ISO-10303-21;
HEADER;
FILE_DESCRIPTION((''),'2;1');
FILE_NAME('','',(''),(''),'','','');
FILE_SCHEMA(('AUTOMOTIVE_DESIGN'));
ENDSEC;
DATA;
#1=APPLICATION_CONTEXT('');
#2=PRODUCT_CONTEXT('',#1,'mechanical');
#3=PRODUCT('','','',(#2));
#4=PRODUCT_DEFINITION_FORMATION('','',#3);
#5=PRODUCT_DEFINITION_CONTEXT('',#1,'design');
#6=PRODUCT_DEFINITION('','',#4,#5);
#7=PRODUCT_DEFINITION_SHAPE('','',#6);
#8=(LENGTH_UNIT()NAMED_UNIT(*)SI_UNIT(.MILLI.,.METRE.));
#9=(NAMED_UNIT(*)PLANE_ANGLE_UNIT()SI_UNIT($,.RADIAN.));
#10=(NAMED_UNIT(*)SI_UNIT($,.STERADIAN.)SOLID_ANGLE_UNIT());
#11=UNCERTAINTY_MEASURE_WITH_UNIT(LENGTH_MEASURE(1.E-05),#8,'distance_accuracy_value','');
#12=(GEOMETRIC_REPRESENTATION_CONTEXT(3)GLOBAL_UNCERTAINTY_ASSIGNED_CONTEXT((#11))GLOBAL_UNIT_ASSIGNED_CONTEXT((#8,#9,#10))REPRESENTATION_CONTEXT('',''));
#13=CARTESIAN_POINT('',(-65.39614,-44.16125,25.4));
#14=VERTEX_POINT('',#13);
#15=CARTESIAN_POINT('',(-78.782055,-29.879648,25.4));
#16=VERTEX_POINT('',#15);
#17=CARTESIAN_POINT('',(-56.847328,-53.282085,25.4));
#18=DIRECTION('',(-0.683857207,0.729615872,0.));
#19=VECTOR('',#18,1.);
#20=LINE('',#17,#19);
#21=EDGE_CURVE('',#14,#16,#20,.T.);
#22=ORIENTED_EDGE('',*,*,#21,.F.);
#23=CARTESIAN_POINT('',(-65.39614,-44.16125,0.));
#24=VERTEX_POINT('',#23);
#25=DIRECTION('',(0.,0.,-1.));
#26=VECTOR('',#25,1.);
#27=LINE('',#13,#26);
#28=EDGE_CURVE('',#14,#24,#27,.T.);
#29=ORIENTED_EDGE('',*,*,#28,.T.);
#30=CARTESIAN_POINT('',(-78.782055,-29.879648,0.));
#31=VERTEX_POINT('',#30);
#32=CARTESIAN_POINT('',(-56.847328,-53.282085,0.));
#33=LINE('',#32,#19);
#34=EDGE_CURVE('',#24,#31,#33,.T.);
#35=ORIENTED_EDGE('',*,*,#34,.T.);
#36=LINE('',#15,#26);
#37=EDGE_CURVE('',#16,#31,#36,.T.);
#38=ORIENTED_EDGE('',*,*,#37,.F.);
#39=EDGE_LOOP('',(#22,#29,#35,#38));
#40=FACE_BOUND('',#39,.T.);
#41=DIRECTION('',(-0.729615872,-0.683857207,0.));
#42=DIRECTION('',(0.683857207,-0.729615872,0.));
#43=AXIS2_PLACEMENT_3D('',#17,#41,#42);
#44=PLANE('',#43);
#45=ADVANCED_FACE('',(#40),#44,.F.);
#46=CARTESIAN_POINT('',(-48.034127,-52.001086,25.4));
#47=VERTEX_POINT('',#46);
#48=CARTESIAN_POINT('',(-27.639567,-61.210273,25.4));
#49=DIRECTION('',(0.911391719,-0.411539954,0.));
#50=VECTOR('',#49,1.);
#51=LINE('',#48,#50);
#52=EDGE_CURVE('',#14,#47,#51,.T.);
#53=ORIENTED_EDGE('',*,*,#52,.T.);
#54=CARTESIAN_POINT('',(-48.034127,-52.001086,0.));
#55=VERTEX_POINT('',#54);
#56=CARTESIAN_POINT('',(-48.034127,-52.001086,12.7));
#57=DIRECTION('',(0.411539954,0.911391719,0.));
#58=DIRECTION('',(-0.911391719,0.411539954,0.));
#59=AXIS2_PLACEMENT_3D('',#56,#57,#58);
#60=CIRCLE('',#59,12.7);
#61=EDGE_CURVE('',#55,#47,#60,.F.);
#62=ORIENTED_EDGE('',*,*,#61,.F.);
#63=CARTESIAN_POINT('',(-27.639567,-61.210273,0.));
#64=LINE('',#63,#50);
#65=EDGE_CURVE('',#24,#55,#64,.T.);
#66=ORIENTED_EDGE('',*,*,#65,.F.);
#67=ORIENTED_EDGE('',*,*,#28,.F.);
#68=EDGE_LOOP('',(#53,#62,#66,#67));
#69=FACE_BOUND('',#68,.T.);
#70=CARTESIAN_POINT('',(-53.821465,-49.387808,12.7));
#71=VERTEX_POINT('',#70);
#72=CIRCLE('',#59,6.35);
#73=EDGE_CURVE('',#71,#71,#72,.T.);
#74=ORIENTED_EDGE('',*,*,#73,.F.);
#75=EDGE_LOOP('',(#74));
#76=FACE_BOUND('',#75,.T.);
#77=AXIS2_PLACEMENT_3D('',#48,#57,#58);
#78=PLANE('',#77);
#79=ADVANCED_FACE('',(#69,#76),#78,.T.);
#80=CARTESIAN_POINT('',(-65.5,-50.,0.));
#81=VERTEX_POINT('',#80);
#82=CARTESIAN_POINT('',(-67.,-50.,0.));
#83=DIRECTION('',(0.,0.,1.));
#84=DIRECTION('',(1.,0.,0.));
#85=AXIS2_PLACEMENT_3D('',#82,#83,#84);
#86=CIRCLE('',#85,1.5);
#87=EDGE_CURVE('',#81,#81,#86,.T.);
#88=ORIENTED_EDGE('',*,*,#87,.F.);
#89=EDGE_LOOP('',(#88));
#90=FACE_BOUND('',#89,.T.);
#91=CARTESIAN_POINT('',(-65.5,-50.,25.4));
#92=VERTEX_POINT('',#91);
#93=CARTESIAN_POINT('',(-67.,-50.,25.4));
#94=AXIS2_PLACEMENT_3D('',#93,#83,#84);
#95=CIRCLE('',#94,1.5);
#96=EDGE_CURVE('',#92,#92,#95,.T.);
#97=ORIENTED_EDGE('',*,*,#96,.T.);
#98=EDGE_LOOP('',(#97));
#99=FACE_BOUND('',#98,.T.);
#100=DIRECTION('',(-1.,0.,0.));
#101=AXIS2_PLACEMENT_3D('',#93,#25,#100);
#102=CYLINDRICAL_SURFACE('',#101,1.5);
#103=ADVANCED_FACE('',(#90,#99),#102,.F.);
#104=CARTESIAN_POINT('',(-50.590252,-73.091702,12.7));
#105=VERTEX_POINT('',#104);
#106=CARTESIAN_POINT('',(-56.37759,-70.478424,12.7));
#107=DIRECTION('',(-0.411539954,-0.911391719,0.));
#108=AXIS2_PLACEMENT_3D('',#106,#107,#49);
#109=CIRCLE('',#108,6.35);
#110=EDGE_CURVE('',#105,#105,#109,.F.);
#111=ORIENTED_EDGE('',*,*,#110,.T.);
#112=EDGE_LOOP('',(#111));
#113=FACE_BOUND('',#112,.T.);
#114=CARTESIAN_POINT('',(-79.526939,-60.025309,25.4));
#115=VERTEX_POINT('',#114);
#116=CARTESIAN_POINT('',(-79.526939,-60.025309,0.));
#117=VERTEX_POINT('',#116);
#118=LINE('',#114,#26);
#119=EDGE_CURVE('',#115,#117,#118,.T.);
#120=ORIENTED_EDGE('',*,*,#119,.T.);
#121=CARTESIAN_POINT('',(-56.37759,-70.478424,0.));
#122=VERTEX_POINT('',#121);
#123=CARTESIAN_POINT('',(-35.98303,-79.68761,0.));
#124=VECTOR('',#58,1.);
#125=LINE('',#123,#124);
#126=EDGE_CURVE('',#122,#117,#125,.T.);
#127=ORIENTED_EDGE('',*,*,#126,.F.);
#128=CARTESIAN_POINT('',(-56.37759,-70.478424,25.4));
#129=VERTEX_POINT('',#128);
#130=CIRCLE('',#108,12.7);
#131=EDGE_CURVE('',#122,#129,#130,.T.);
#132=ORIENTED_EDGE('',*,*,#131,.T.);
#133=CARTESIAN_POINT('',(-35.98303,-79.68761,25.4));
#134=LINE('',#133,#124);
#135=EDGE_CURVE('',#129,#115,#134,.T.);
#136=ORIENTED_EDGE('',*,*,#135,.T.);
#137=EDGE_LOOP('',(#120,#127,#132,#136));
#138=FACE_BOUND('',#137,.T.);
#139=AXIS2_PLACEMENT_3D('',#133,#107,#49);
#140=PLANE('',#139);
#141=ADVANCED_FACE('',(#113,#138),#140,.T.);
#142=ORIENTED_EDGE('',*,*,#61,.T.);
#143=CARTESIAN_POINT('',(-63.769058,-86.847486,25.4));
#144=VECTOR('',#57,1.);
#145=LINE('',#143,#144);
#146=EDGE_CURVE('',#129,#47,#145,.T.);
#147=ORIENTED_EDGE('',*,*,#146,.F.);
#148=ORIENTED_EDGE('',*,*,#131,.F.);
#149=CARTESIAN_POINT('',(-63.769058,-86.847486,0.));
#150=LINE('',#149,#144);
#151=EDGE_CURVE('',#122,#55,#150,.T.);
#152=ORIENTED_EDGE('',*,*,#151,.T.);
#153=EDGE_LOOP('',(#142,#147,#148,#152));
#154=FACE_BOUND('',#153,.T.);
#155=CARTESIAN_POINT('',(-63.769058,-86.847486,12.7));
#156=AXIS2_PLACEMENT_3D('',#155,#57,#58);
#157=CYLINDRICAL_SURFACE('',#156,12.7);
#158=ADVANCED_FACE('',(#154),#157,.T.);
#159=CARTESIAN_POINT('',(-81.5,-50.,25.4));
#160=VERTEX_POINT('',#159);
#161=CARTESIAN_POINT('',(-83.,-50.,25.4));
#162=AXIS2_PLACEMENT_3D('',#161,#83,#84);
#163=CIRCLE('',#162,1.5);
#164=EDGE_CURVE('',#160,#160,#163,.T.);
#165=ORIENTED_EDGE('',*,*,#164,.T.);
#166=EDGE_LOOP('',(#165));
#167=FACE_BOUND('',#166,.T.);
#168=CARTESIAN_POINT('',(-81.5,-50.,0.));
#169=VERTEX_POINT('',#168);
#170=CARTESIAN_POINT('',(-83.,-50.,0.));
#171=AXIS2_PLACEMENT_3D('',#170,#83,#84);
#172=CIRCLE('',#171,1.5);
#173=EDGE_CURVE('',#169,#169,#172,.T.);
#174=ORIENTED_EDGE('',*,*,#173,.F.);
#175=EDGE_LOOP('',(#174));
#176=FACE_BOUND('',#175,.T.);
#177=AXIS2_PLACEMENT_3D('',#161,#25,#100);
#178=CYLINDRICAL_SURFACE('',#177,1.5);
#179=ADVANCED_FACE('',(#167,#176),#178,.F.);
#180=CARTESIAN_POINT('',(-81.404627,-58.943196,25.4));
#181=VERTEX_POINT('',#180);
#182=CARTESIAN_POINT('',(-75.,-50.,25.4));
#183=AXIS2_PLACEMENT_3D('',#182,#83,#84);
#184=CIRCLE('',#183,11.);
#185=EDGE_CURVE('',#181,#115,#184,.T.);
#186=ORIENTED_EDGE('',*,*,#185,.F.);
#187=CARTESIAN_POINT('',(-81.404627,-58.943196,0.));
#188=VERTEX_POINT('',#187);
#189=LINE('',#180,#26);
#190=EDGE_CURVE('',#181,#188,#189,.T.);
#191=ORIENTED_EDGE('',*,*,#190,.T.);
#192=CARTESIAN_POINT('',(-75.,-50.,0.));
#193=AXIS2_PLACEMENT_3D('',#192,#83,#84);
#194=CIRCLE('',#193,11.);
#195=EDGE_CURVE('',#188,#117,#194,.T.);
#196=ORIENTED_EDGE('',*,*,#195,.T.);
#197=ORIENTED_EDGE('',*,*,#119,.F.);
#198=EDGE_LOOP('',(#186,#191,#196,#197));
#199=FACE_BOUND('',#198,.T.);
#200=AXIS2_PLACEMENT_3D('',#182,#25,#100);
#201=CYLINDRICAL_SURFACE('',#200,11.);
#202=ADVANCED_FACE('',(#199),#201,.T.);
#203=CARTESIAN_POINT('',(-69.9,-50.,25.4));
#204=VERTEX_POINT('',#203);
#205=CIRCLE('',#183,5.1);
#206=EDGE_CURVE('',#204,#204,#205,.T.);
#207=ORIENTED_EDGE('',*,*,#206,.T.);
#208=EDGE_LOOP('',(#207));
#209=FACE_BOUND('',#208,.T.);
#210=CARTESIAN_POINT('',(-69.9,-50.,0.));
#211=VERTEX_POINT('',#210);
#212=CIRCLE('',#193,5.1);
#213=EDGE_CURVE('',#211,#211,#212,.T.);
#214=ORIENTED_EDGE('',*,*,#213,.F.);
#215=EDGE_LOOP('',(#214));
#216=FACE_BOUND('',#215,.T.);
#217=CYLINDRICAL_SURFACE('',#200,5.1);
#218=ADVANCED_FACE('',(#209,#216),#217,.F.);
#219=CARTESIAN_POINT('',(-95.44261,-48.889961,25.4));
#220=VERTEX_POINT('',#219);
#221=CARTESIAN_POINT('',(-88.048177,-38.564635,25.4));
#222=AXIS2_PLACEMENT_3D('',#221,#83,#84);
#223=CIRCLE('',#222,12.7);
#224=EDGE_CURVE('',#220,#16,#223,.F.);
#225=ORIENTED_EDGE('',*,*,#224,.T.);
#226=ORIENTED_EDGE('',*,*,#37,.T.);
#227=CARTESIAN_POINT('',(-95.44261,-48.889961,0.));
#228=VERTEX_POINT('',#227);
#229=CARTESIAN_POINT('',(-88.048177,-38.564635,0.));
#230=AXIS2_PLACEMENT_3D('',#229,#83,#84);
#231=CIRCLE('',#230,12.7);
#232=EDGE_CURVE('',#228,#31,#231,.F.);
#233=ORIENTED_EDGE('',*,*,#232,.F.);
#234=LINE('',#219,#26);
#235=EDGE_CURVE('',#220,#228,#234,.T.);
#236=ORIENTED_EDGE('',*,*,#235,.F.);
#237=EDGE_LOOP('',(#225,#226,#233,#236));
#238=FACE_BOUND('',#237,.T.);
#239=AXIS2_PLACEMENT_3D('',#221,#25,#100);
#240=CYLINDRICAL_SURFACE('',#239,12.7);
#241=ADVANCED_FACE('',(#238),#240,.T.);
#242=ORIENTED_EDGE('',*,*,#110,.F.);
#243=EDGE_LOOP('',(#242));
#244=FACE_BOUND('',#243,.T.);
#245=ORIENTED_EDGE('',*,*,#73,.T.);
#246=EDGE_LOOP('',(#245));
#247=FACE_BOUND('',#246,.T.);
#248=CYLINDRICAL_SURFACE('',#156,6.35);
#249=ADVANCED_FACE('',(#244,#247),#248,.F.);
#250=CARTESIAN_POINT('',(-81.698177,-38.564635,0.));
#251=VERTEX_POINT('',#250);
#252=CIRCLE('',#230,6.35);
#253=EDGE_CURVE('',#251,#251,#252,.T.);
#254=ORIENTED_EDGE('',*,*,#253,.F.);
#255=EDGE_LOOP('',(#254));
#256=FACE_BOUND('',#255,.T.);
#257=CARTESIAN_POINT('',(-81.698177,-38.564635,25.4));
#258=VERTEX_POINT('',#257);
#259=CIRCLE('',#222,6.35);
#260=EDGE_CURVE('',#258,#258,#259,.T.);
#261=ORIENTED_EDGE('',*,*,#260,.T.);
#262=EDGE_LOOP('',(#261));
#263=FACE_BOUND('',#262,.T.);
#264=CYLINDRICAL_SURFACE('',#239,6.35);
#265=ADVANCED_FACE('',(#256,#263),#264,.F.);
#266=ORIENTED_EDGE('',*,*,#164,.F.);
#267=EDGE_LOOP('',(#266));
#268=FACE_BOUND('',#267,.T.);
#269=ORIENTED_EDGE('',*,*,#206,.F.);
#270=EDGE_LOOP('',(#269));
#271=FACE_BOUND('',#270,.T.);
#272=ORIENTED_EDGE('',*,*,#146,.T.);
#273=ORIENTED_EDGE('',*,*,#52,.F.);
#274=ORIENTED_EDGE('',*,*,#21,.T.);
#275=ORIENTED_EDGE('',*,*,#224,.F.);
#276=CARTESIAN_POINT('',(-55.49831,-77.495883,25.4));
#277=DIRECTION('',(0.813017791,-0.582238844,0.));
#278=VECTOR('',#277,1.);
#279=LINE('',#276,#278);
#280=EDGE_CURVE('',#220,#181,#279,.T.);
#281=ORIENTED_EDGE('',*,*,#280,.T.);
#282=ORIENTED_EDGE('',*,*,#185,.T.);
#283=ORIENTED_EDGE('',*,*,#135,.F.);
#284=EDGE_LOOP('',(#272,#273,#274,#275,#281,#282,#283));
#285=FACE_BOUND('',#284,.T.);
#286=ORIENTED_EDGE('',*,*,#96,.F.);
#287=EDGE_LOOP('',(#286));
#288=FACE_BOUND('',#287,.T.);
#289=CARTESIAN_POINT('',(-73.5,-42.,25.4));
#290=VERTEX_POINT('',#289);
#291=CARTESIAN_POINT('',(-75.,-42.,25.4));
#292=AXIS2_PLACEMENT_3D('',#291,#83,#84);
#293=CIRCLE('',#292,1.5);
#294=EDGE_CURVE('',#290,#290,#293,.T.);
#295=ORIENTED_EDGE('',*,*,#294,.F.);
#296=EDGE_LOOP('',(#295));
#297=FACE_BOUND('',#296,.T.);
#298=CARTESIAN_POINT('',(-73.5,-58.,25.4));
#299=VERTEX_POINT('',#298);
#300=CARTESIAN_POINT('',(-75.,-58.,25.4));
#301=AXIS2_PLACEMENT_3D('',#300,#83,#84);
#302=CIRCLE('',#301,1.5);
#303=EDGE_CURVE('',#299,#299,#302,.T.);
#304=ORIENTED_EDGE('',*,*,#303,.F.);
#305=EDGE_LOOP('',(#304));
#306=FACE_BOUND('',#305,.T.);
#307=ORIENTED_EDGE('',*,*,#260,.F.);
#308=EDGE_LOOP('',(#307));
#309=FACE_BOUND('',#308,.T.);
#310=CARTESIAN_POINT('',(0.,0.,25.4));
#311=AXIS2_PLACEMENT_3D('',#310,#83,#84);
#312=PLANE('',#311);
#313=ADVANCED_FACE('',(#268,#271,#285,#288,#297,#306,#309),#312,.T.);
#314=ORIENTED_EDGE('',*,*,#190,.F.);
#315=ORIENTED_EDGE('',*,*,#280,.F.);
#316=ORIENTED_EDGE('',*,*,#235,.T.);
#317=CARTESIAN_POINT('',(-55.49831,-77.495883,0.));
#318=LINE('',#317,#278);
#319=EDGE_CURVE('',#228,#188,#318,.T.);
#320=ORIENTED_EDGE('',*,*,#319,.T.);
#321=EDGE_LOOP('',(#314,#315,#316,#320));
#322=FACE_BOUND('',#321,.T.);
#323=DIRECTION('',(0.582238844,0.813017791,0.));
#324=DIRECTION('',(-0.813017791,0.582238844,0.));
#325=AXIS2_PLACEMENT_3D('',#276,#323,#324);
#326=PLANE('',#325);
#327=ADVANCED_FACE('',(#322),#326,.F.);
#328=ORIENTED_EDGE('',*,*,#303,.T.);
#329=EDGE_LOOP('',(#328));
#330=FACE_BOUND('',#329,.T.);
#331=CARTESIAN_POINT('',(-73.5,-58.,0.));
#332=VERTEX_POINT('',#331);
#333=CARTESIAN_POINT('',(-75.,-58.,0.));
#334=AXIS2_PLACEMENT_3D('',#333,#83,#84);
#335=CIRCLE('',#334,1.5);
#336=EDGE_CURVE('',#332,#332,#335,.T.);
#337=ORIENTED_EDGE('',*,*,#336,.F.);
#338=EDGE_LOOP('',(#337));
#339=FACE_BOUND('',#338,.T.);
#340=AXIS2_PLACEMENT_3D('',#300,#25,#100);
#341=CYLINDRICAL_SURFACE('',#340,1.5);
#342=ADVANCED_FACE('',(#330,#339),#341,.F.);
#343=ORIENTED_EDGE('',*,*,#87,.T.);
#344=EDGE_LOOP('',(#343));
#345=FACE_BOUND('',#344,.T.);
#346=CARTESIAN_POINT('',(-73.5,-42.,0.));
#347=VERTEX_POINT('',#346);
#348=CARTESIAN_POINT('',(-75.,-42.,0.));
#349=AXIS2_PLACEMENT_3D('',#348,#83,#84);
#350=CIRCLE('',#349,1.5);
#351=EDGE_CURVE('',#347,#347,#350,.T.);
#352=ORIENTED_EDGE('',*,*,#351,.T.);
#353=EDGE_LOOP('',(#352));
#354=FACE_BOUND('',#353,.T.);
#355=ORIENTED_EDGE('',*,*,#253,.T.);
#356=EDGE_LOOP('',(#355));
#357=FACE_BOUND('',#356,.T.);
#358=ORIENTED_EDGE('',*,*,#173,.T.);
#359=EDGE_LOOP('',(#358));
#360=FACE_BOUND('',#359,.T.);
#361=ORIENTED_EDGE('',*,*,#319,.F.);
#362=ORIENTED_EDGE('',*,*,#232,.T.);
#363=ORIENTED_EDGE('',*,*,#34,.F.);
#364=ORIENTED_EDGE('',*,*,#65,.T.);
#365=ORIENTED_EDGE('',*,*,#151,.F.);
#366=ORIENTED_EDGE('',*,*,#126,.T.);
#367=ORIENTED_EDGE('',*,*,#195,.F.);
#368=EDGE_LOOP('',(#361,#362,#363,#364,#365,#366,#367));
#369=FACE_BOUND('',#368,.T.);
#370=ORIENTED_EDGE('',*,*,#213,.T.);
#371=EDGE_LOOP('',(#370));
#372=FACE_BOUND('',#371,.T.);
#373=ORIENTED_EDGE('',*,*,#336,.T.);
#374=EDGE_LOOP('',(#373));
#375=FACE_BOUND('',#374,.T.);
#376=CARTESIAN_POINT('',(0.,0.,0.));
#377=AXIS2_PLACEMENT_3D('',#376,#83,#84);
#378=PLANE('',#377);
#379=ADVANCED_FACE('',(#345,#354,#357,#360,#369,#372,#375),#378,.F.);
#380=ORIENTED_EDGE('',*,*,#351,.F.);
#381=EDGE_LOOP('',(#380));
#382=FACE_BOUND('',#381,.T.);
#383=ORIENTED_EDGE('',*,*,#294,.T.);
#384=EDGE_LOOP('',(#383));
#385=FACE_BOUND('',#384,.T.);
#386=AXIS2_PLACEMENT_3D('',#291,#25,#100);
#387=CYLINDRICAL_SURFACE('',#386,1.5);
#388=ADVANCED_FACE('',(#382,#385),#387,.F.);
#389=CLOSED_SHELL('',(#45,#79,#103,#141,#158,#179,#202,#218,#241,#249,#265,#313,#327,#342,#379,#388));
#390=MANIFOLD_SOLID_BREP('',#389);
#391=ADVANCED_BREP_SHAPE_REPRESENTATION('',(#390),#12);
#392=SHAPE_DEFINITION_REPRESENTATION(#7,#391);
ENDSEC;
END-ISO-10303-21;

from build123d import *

# Parameters (mm, degrees)
SKETCH1_R           = 1.5
SKETCH1_R_2         = 5.1
BOSS_EXTRUDE1_DEPTH = 25.4
SKETCH2_R           = 6.35
CUT_EXTRUDE1_DEPTH  = 20.273760375


with BuildPart() as part:
    # Sketch1 → Boss-Extrude1 (new body)
    with BuildSketch(Plane.XY):
        with BuildLine():
            Line((-36.459452571, -57.227643835), (-65.396139663, -44.161250294))
            Line((-65.396139663, -44.161250294), (-78.782055326, -29.879648176))
            ThreePointArc((-78.782055326, -29.879648176), (-97.599291983, -30.194079121), (-95.442610221, -48.889960647))
            Line((-95.442610221, -48.889960647), (-81.404627284, -58.943195702))
            ThreePointArc((-81.404627284, -58.943195702), (-80.492497638, -59.530606995), (-79.526939494, -60.025308914))
            Line((-79.526939494, -60.025308914), (-44.802914985, -75.704981163))
            Line((-44.802914985, -75.704981163), (-36.459452571, -57.227643835))
        make_face()
        with Locations((-75, -58)):
            Circle(SKETCH1_R, mode=Mode.SUBTRACT)
        with BuildLine():
            ThreePointArc((-81.698176902, -38.564634701), (-82.104807051, -40.800446591), (-83.272619362, -42.74991249))
            ThreePointArc((-83.272619362, -42.74991249), (-93.991546754, -36.32882281), (-81.698176902, -38.564634701))
        make_face(mode=Mode.SUBTRACT)
        with Locations((-83, -50)):
            Circle(SKETCH1_R, mode=Mode.SUBTRACT)
        with Locations((-75, -50)):
            Circle(SKETCH1_R_2, mode=Mode.SUBTRACT)
        with Locations((-75, -42)):
            Circle(SKETCH1_R, mode=Mode.SUBTRACT)
        with Locations((-67, -50)):
            Circle(SKETCH1_R, mode=Mode.SUBTRACT)
    extrude(amount=BOSS_EXTRUDE1_DEPTH)

    # Sketch2 → Cut-Extrude1 (cut)
    with BuildSketch(Plane(origin=(-27.639567431, -61.210272872, 0), x_dir=(0.9113917194185279, -0.41153995404497395, 0), z_dir=(0.411539954044974, 0.911391719418528, 0))):
        with BuildLine():
            ThreePointArc((-22.377381254, 0), (-13.397125133, -3.719743879), (-9.677381254, -12.7))
            Line((-9.677381254, -12.7), (-9.677381254, 0))
            Line((-9.677381254, 0), (-22.377381254, 0))
        make_face()
        with BuildLine():
            ThreePointArc((-9.677381254, -12.7), (-13.397125133, -21.680256121), (-22.377381254, -25.4))
            Line((-22.377381254, -25.4), (-9.677381254, -25.4))
            Line((-9.677381254, -25.4), (-9.677381254, -12.7))
        make_face()
        with Locations(Location((-22.377381254, -12.7, 0), (0, 0, 180))):
            Circle(SKETCH2_R)
    extrude(amount=-CUT_EXTRUDE1_DEPTH, mode=Mode.SUBTRACT)


solid = part.part
